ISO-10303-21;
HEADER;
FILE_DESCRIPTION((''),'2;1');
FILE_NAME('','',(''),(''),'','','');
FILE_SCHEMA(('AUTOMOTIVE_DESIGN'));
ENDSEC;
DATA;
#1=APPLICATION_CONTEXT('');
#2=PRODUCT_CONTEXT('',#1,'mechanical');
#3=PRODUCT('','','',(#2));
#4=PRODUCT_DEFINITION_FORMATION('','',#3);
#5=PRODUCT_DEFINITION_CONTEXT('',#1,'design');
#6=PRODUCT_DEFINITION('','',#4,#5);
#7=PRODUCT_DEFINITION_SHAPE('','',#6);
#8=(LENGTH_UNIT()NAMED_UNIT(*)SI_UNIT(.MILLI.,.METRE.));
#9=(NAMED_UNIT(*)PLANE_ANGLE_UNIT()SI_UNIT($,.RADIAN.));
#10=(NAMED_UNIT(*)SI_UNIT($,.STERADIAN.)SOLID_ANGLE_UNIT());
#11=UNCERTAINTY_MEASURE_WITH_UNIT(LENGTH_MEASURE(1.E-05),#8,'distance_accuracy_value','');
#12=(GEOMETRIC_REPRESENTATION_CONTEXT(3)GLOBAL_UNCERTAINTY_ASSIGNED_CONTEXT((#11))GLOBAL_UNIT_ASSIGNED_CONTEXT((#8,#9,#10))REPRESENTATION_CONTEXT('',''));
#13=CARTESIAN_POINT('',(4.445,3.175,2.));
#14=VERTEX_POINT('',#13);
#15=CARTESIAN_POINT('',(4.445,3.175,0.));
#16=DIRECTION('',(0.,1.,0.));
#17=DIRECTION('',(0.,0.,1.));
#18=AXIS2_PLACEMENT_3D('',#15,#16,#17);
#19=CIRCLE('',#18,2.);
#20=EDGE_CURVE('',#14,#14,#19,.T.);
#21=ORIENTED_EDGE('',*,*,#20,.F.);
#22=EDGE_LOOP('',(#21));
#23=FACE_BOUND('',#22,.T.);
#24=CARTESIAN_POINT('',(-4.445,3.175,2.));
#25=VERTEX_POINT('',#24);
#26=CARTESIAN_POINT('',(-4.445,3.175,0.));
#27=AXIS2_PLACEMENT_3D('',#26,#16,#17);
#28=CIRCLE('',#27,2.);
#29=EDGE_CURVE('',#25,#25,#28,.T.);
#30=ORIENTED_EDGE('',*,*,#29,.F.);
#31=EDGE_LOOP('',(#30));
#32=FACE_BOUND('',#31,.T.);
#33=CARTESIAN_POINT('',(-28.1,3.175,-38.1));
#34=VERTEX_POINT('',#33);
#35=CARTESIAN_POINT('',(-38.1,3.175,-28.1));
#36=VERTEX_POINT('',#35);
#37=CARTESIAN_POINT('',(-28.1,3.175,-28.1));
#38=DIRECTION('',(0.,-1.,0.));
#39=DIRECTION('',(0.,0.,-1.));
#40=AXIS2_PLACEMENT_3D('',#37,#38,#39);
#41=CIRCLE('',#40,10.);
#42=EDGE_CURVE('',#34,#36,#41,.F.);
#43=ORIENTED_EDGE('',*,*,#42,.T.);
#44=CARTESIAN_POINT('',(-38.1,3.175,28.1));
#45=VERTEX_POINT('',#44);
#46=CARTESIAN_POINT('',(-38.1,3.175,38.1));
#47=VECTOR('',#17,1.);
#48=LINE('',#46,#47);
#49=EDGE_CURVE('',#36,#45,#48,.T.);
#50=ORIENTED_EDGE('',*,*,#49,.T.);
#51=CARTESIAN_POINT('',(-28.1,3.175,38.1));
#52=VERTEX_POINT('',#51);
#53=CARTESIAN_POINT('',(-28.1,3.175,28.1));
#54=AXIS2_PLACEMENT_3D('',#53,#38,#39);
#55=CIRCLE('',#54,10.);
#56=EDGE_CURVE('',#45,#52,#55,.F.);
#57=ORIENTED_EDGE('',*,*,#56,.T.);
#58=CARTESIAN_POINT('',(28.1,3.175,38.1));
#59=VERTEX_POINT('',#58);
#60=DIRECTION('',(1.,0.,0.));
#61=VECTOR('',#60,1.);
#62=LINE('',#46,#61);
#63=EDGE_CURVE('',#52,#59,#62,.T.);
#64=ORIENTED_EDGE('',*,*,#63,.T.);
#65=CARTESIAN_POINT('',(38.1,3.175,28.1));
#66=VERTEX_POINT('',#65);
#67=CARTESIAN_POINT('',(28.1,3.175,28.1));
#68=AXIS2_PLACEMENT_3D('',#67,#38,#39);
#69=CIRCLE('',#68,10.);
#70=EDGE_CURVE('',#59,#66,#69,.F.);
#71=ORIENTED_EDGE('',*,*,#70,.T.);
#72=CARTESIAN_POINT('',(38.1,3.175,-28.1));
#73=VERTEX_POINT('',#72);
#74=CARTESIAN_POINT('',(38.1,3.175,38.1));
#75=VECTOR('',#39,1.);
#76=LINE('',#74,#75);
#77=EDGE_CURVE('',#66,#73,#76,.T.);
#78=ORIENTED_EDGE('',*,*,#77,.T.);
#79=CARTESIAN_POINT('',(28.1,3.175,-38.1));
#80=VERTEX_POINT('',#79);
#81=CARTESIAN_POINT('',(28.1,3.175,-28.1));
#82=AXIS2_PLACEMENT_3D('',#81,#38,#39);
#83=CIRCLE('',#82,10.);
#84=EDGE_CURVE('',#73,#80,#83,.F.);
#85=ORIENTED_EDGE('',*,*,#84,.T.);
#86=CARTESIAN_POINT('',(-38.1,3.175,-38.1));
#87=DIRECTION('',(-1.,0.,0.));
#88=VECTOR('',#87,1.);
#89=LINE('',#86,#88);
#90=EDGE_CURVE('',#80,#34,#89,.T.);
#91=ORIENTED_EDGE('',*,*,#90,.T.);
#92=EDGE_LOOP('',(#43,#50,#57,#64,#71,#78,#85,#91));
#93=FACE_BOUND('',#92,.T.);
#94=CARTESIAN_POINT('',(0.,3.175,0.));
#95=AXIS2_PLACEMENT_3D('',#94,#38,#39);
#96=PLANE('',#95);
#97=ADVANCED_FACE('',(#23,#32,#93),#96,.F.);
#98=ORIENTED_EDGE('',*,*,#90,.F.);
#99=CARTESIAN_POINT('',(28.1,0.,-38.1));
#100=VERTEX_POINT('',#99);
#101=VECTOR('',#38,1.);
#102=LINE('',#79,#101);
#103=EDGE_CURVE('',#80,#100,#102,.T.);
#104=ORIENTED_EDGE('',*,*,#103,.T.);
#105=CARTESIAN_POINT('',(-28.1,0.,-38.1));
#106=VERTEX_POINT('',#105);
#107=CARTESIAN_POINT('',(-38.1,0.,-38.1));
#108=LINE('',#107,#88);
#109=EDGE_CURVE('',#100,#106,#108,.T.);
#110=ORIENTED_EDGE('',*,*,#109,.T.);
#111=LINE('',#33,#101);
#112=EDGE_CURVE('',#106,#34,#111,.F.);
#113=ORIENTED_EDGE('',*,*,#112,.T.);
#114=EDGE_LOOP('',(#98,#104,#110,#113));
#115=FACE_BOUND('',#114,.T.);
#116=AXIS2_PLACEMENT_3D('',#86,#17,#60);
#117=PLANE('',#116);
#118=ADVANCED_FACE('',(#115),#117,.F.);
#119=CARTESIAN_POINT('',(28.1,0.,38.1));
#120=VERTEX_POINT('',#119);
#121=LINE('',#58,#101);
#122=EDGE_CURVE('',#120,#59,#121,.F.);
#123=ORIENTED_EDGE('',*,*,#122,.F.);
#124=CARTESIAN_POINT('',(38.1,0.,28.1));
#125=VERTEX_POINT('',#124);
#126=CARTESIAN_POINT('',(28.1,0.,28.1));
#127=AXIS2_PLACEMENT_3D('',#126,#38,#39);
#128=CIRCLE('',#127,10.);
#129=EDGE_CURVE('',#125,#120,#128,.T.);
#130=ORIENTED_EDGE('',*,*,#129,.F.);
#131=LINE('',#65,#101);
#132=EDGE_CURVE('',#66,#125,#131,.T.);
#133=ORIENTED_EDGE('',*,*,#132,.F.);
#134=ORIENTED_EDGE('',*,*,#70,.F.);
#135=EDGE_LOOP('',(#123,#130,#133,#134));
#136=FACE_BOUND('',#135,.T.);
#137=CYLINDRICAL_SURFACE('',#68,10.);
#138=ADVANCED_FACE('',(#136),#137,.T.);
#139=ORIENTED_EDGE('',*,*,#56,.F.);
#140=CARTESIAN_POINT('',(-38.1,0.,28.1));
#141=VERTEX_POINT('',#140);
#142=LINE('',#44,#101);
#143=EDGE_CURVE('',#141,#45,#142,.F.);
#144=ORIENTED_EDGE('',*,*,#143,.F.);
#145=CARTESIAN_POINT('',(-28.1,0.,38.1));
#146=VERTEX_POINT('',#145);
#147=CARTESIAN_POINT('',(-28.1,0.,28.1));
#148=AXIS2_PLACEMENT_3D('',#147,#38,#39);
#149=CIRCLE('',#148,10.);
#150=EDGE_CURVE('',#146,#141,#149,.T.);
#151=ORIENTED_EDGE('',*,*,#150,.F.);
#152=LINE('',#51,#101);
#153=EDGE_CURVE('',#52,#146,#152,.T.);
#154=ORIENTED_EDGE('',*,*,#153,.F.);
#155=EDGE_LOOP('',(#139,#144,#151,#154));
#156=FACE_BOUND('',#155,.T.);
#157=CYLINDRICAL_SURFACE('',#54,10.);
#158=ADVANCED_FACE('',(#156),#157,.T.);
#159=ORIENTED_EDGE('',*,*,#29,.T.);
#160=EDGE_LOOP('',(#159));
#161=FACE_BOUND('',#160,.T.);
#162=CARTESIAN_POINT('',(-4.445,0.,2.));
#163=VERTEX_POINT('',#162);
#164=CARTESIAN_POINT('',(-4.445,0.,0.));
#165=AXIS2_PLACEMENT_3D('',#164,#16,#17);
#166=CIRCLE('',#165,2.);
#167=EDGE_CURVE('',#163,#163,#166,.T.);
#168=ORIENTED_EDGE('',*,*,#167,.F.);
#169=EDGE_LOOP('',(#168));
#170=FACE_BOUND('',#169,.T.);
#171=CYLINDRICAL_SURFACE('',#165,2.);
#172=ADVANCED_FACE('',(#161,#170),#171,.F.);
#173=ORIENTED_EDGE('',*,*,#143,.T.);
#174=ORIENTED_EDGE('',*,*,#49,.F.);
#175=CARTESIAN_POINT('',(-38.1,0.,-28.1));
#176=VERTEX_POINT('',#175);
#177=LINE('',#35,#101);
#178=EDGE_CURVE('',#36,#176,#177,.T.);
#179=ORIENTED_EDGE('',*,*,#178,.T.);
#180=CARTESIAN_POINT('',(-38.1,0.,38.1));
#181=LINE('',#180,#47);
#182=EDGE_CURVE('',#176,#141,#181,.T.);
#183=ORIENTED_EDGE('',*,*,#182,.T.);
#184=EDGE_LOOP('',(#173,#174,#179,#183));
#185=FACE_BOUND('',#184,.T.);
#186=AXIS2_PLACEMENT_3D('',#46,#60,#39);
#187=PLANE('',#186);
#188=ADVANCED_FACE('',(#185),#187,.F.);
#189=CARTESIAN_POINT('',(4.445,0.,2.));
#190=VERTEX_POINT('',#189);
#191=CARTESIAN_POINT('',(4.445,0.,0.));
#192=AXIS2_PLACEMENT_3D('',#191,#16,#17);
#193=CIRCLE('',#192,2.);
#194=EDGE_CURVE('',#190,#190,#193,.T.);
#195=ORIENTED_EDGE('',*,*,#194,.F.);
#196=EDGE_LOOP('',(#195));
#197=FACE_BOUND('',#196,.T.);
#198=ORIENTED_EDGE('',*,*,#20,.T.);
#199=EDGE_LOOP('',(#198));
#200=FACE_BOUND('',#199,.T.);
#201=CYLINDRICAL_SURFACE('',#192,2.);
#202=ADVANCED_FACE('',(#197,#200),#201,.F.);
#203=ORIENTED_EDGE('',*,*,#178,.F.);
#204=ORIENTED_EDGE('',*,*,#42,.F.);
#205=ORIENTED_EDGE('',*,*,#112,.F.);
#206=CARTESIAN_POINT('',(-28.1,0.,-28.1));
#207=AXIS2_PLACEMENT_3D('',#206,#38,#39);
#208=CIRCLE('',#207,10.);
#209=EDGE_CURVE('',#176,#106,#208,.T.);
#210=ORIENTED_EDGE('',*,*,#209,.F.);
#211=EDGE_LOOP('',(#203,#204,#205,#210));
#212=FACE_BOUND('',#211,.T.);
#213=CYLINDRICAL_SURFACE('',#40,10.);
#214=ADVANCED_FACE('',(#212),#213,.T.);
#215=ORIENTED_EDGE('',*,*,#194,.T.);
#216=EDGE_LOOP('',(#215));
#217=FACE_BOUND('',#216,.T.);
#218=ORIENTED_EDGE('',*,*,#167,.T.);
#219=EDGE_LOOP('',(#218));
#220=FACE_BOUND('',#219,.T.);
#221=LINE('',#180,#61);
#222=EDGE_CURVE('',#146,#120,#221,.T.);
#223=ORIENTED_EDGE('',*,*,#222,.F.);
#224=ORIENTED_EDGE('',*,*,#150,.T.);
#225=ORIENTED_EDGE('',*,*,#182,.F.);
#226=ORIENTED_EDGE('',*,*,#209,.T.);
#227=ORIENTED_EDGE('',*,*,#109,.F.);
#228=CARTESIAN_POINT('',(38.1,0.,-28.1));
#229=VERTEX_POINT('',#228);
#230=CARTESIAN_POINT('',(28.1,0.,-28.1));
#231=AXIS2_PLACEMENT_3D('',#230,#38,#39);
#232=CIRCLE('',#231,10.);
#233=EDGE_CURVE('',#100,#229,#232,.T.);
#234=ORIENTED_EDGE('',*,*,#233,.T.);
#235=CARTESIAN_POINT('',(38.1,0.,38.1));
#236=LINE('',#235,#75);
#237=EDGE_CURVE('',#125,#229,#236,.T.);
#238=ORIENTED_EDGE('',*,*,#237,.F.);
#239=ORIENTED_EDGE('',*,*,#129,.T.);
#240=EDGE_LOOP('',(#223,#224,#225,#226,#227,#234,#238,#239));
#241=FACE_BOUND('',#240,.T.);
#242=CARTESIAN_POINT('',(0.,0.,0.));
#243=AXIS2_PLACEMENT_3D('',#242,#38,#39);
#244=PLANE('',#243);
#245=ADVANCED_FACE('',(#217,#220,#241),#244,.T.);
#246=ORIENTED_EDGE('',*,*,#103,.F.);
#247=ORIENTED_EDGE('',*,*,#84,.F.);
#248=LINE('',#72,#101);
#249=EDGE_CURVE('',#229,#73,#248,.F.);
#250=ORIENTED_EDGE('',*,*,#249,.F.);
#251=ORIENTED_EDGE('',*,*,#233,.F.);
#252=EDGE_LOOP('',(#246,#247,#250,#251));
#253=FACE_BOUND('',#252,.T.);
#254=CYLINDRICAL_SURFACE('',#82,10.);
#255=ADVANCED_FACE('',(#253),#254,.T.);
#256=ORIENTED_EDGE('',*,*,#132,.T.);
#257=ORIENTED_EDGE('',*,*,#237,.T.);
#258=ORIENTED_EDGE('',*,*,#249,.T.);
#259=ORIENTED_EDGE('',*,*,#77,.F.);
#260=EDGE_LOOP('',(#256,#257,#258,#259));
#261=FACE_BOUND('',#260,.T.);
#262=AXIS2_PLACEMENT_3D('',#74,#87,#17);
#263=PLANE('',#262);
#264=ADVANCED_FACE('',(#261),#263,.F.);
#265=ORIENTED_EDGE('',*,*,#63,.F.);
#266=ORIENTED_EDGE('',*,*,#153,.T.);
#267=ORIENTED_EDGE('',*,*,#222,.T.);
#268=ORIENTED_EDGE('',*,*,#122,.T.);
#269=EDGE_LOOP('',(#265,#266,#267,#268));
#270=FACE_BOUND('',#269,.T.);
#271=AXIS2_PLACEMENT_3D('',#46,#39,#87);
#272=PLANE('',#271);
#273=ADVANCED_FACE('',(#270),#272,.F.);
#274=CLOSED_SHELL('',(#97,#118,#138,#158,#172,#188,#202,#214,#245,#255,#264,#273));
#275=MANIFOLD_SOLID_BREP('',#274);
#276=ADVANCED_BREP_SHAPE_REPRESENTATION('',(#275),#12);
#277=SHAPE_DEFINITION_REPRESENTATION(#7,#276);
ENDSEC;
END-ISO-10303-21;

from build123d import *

# Parameters (mm, degrees)
SKETCH1_W           = 76.2
SKETCH1_H           = 76.2
BOSS_EXTRUDE1_DEPTH = 3.175
FILLET1_R           = 10
FILLET2_R           = 10
FILLET3_R           = 10
FILLET4_R           = 10
SKETCH2_R           = 2
CUT_EXTRUDE1_DEPTH  = 4.175


with BuildPart() as part:
    # Sketch1 → Boss-Extrude1 (new body)
    with BuildSketch(Plane(origin=(0, 0, 0), x_dir=(1, 0, 0), z_dir=(0, 1, 0))):
        Rectangle(SKETCH1_W, SKETCH1_H)
    extrude(amount=BOSS_EXTRUDE1_DEPTH)

    # Fillet1
    fillet1_edges = [part.edges().sort_by_distance(p)[0] for p in [
        (-38.1, 1.5875, 38.1),
    ]]
    fillet(fillet1_edges, radius=FILLET1_R)

    # Fillet2
    fillet2_edges = [part.edges().sort_by_distance(p)[0] for p in [
        (-38.1, 1.5875, -38.1),
    ]]
    fillet(fillet2_edges, radius=FILLET2_R)

    # Fillet3
    fillet3_edges = [part.edges().sort_by_distance(p)[0] for p in [
        (38.1, 1.5875, -38.1),
    ]]
    fillet(fillet3_edges, radius=FILLET3_R)

    # Fillet4
    fillet4_edges = [part.edges().sort_by_distance(p)[0] for p in [
        (38.1, 1.5875, 38.1),
    ]]
    fillet(fillet4_edges, radius=FILLET4_R)

    # Sketch2 → Cut-Extrude1 (cut, through all)
    with BuildSketch(Plane(origin=(0, 3.175, 0), x_dir=(1, 0, 0), z_dir=(0, 1, 0))):
        with Locations((4.445, 0)):
            Circle(SKETCH2_R)
        with Locations((-4.445, 0)):
            Circle(SKETCH2_R)
    extrude(amount=-CUT_EXTRUDE1_DEPTH, mode=Mode.SUBTRACT)


solid = part.part
